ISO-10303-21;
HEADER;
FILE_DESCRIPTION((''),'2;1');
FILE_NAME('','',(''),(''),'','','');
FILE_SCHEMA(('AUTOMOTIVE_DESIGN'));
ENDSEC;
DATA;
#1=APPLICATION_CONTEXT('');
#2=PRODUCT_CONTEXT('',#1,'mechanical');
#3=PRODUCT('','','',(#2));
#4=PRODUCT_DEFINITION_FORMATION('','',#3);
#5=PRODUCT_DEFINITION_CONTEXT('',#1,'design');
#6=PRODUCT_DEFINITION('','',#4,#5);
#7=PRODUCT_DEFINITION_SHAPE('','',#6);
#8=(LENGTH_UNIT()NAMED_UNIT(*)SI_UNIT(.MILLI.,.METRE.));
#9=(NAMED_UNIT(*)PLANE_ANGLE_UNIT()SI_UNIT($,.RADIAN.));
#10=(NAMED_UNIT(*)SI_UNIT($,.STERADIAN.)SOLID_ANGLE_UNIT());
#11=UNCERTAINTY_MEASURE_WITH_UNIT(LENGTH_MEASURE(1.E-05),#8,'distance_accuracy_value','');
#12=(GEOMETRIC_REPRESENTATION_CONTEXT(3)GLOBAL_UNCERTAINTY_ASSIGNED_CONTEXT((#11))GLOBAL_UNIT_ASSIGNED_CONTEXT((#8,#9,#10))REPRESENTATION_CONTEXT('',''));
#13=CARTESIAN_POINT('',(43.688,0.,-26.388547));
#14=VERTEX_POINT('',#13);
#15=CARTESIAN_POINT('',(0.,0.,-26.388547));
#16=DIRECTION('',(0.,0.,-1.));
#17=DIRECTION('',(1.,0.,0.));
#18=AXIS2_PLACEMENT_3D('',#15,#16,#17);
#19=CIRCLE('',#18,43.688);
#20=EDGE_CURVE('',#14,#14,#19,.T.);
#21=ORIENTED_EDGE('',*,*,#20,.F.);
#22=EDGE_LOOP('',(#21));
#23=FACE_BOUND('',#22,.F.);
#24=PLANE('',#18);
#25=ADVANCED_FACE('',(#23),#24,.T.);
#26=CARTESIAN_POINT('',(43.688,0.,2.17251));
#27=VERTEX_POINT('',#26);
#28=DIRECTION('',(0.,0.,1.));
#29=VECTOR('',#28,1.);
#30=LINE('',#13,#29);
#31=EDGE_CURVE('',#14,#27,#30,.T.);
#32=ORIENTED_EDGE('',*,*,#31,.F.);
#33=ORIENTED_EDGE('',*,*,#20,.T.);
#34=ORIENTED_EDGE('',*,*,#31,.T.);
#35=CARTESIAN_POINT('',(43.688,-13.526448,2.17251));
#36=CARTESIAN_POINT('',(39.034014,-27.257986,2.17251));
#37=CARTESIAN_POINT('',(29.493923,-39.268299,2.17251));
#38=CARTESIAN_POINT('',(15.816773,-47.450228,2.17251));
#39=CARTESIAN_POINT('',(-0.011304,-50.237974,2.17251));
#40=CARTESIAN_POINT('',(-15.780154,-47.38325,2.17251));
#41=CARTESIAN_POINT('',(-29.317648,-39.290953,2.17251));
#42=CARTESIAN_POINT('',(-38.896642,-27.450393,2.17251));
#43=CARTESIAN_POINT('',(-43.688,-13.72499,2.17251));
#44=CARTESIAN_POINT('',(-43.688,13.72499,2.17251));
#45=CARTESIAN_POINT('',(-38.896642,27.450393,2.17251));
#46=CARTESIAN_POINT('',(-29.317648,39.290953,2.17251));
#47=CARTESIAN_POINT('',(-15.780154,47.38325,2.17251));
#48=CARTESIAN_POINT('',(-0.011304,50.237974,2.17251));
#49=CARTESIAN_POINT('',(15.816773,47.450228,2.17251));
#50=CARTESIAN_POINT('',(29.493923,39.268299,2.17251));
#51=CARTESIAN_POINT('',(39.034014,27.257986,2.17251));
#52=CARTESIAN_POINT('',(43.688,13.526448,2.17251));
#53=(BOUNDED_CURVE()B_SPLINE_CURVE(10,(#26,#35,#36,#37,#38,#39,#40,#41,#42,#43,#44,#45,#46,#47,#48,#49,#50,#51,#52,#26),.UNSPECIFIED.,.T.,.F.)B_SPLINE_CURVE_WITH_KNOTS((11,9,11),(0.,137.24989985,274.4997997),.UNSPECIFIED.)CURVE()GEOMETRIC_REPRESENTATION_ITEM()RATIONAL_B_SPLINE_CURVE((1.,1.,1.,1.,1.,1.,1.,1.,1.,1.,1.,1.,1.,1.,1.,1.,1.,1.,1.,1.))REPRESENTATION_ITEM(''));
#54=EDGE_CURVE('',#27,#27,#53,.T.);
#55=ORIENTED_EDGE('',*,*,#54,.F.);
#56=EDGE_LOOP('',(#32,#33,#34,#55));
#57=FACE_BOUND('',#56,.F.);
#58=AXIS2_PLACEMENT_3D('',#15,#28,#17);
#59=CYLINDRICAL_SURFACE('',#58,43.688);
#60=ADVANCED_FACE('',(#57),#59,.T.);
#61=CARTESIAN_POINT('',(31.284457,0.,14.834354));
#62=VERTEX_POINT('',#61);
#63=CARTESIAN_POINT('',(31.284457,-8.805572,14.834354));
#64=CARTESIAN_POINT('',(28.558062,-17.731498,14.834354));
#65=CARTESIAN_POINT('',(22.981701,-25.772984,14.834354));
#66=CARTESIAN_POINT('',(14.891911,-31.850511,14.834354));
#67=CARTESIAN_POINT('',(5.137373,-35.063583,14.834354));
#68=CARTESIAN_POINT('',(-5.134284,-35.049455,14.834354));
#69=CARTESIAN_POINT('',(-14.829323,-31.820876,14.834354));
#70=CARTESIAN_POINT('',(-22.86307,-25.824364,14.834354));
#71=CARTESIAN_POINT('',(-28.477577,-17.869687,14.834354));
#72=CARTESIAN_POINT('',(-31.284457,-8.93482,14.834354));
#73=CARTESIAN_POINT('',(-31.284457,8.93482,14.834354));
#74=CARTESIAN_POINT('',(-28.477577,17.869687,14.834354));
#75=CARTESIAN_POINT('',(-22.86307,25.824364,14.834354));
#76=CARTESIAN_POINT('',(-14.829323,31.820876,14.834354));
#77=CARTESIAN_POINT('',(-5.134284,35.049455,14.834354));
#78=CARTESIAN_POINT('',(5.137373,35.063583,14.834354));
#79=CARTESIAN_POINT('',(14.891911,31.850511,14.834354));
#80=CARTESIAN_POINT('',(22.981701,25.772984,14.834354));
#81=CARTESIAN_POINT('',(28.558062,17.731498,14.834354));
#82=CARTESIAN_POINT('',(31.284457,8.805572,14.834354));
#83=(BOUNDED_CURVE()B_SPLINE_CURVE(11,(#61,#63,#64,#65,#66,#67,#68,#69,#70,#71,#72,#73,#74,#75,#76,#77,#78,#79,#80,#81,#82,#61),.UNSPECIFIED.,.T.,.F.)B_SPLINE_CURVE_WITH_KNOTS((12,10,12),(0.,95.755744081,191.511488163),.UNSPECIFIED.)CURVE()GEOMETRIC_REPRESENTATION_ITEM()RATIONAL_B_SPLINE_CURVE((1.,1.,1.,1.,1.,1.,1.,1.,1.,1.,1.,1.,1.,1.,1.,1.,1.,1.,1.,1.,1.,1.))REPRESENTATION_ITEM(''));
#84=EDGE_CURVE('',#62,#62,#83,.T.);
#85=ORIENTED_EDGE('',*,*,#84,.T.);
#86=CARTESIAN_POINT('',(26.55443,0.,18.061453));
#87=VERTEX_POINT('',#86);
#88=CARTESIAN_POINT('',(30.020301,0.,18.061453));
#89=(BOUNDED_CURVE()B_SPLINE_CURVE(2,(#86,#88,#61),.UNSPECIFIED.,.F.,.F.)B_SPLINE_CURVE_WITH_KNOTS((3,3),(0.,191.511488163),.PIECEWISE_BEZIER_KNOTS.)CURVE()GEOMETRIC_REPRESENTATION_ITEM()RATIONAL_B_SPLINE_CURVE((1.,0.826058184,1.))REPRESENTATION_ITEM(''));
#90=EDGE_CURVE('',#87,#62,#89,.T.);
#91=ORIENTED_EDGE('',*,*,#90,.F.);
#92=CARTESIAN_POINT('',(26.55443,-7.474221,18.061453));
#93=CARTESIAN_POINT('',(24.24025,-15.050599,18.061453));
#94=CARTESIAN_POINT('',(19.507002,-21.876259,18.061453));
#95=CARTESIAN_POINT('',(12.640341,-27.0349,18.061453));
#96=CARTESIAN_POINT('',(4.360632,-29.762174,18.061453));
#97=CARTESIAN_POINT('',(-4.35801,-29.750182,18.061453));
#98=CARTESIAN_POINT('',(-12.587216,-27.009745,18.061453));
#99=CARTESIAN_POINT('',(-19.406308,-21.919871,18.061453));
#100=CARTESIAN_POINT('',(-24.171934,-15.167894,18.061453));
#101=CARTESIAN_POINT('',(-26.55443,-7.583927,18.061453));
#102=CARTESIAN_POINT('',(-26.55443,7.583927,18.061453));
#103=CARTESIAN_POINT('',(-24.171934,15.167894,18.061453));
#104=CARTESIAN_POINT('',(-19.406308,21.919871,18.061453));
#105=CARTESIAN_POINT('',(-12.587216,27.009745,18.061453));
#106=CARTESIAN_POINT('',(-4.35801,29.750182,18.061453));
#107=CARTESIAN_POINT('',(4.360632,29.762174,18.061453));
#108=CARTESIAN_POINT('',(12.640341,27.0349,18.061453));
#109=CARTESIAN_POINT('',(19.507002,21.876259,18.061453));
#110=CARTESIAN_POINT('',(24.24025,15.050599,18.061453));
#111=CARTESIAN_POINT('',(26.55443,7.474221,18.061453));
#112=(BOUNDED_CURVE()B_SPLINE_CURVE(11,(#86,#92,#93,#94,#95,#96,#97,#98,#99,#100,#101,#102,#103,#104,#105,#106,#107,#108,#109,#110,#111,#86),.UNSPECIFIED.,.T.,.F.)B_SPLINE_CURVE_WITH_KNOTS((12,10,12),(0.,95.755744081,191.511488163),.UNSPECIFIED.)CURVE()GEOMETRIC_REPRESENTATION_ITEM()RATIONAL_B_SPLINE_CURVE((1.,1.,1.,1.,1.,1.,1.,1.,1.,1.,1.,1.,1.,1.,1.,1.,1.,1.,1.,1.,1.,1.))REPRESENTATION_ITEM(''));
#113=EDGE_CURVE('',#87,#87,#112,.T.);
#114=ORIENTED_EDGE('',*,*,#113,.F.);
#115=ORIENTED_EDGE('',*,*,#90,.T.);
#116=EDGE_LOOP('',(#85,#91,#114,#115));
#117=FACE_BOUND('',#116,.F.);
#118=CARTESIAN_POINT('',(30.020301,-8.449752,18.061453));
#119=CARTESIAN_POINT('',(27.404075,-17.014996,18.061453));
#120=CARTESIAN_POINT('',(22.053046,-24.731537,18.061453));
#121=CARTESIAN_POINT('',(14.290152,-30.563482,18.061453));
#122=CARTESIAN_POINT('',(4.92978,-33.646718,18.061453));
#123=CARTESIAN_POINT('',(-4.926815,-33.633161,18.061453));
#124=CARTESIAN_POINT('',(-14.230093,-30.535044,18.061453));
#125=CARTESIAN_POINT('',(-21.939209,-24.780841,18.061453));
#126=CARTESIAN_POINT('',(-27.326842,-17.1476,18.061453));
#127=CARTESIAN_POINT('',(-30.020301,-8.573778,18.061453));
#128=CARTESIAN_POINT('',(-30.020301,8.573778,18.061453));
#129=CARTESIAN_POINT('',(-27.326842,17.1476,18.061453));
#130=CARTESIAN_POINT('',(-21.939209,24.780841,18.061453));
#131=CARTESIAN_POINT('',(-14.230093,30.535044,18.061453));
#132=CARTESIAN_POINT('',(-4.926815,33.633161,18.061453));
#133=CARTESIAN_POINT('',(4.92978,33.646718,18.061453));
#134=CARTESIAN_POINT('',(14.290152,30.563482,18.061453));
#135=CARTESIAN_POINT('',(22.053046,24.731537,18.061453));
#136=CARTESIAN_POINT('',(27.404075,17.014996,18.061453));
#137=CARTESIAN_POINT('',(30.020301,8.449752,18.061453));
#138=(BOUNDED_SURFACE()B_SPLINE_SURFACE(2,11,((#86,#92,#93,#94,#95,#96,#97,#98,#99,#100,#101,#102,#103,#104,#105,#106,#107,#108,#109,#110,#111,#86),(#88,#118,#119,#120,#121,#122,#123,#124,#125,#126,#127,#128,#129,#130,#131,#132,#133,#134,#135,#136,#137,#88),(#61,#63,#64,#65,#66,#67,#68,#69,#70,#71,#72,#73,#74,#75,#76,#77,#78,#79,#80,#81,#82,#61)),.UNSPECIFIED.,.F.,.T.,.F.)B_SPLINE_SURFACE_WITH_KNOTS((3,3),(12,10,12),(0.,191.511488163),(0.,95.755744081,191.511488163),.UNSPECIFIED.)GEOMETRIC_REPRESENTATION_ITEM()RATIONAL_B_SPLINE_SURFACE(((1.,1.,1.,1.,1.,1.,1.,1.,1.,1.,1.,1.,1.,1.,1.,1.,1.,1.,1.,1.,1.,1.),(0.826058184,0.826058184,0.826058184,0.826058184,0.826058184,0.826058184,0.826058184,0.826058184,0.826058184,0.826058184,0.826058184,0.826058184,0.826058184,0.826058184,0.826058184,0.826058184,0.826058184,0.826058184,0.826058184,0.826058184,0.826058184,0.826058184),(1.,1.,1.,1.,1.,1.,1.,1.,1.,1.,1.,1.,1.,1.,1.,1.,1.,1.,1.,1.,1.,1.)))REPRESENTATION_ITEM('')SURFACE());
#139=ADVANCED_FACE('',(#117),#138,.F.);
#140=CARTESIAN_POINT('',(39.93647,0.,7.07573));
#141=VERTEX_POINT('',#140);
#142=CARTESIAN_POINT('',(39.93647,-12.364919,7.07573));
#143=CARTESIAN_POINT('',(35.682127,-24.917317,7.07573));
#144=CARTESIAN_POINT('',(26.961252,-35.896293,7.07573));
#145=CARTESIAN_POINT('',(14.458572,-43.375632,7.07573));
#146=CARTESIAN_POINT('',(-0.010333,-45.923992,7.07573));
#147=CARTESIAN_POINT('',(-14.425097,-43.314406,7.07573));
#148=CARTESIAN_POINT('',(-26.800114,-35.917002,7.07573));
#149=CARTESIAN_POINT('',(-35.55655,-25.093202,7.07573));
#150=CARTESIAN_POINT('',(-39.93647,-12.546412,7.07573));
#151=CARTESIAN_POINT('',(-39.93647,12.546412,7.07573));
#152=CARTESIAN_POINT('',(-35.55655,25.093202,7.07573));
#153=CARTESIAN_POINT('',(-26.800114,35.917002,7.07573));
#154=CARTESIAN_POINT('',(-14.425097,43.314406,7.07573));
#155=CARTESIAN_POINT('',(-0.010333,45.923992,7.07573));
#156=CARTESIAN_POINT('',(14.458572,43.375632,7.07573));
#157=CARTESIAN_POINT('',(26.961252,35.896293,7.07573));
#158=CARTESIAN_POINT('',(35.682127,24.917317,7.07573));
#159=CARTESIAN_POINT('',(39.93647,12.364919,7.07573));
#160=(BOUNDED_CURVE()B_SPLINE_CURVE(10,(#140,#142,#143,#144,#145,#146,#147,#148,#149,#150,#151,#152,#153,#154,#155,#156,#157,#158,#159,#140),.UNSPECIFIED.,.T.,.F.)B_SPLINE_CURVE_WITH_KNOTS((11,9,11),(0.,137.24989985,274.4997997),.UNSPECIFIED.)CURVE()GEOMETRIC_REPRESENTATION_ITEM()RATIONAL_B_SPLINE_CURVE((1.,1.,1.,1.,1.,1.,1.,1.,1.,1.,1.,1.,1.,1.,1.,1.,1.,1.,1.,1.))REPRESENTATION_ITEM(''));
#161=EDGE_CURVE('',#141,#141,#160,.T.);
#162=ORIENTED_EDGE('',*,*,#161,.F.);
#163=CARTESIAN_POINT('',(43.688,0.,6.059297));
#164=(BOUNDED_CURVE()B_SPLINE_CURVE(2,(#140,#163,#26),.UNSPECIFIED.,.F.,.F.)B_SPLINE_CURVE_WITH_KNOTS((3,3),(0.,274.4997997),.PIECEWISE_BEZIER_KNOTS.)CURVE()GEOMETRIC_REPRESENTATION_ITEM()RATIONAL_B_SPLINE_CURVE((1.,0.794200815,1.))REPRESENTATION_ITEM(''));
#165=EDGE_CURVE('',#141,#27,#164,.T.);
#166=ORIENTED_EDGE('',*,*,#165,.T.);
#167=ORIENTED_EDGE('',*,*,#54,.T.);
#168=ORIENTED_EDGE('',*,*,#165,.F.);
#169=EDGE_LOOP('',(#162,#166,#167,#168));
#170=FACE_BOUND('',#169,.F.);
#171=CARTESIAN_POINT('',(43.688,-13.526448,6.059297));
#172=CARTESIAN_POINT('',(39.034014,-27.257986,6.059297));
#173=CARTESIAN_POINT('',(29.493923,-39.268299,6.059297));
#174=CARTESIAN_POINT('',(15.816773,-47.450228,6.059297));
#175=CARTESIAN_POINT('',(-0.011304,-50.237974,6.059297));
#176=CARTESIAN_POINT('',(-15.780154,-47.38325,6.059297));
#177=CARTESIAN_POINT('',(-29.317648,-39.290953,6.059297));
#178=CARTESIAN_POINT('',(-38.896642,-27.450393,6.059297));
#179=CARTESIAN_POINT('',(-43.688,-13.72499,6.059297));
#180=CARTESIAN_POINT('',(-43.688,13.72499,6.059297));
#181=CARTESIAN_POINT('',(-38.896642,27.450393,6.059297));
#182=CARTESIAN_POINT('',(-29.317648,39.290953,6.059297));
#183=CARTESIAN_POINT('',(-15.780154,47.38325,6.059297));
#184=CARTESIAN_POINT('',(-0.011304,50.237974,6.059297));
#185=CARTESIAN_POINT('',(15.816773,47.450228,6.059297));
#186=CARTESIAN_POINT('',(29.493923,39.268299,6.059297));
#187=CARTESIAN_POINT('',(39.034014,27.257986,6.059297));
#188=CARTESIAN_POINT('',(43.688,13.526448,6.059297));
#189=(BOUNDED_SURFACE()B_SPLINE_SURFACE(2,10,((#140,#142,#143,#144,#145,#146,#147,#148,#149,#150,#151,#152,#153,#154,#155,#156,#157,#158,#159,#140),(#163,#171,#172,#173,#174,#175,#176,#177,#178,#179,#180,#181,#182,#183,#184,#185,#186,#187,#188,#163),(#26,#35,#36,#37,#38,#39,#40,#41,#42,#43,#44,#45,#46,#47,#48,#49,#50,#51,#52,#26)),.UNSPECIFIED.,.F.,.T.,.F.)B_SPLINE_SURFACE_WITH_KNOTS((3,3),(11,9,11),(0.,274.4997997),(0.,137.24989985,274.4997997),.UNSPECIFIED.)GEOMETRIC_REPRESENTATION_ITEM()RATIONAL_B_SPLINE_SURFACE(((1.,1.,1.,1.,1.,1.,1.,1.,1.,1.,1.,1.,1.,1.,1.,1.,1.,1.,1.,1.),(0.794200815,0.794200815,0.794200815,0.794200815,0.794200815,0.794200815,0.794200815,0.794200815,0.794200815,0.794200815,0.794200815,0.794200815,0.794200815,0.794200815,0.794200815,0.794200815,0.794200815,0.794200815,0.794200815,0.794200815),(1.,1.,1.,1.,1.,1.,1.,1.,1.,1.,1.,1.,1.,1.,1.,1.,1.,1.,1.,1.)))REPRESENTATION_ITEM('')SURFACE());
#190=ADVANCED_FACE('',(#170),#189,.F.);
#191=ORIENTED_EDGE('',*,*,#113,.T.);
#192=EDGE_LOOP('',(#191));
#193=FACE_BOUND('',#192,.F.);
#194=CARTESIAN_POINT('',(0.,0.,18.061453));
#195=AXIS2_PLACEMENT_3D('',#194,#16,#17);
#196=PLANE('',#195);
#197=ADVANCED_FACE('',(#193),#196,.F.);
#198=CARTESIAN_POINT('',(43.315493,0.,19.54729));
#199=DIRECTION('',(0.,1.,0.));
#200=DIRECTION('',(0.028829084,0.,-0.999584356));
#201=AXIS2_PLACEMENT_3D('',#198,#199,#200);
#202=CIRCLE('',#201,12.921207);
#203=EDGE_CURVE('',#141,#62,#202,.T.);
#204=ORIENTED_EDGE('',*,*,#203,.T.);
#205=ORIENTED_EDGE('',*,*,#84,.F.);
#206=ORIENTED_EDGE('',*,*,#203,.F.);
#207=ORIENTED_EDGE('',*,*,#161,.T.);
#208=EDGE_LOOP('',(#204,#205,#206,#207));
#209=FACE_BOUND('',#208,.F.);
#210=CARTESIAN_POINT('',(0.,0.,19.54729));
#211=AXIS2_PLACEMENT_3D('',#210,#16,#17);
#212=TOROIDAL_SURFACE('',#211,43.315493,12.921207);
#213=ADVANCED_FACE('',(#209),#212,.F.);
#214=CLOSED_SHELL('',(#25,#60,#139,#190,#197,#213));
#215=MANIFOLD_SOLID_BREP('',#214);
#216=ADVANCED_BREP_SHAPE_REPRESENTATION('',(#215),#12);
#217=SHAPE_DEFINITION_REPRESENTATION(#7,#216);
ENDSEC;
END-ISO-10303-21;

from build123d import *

# Parameters (mm, degrees)
F3_R = 5.08
F4_R = 5.08


with BuildPart() as f2:
    # F0 (on Front) → F2 (revolve)
    with BuildSketch(Plane.XZ):
        with BuildLine():
            Line((30.48, 18.0614531664), (0, 18.0614531664))
            Line((0, 18.0614531664), (0, -26.3885468336))
            Line((0, -26.3885468336), (43.688, -26.3885468336))
            Line((43.688, -26.3885468336), (43.688, 6.6314531664))
            ThreePointArc((43.688, 6.6314531664), (34.8601557432, 9.7766775807), (30.48, 18.0614531664))
        make_face()
    revolve(axis=Axis((0, 0, -49.3586864322), (0, 0, -1)))

    # F3
    f3_edges = [f2.edges().sort_by_distance(p)[0] for p in [
        (-30.48, 0, 18.061453),
    ]]
    fillet(f3_edges, radius=F3_R)

    # F4
    f4_edges = [f2.edges().sort_by_distance(p)[0] for p in [
        (-43.688, 0, 6.631453),
    ]]
    fillet(f4_edges, radius=F4_R)


solid = f2.part
